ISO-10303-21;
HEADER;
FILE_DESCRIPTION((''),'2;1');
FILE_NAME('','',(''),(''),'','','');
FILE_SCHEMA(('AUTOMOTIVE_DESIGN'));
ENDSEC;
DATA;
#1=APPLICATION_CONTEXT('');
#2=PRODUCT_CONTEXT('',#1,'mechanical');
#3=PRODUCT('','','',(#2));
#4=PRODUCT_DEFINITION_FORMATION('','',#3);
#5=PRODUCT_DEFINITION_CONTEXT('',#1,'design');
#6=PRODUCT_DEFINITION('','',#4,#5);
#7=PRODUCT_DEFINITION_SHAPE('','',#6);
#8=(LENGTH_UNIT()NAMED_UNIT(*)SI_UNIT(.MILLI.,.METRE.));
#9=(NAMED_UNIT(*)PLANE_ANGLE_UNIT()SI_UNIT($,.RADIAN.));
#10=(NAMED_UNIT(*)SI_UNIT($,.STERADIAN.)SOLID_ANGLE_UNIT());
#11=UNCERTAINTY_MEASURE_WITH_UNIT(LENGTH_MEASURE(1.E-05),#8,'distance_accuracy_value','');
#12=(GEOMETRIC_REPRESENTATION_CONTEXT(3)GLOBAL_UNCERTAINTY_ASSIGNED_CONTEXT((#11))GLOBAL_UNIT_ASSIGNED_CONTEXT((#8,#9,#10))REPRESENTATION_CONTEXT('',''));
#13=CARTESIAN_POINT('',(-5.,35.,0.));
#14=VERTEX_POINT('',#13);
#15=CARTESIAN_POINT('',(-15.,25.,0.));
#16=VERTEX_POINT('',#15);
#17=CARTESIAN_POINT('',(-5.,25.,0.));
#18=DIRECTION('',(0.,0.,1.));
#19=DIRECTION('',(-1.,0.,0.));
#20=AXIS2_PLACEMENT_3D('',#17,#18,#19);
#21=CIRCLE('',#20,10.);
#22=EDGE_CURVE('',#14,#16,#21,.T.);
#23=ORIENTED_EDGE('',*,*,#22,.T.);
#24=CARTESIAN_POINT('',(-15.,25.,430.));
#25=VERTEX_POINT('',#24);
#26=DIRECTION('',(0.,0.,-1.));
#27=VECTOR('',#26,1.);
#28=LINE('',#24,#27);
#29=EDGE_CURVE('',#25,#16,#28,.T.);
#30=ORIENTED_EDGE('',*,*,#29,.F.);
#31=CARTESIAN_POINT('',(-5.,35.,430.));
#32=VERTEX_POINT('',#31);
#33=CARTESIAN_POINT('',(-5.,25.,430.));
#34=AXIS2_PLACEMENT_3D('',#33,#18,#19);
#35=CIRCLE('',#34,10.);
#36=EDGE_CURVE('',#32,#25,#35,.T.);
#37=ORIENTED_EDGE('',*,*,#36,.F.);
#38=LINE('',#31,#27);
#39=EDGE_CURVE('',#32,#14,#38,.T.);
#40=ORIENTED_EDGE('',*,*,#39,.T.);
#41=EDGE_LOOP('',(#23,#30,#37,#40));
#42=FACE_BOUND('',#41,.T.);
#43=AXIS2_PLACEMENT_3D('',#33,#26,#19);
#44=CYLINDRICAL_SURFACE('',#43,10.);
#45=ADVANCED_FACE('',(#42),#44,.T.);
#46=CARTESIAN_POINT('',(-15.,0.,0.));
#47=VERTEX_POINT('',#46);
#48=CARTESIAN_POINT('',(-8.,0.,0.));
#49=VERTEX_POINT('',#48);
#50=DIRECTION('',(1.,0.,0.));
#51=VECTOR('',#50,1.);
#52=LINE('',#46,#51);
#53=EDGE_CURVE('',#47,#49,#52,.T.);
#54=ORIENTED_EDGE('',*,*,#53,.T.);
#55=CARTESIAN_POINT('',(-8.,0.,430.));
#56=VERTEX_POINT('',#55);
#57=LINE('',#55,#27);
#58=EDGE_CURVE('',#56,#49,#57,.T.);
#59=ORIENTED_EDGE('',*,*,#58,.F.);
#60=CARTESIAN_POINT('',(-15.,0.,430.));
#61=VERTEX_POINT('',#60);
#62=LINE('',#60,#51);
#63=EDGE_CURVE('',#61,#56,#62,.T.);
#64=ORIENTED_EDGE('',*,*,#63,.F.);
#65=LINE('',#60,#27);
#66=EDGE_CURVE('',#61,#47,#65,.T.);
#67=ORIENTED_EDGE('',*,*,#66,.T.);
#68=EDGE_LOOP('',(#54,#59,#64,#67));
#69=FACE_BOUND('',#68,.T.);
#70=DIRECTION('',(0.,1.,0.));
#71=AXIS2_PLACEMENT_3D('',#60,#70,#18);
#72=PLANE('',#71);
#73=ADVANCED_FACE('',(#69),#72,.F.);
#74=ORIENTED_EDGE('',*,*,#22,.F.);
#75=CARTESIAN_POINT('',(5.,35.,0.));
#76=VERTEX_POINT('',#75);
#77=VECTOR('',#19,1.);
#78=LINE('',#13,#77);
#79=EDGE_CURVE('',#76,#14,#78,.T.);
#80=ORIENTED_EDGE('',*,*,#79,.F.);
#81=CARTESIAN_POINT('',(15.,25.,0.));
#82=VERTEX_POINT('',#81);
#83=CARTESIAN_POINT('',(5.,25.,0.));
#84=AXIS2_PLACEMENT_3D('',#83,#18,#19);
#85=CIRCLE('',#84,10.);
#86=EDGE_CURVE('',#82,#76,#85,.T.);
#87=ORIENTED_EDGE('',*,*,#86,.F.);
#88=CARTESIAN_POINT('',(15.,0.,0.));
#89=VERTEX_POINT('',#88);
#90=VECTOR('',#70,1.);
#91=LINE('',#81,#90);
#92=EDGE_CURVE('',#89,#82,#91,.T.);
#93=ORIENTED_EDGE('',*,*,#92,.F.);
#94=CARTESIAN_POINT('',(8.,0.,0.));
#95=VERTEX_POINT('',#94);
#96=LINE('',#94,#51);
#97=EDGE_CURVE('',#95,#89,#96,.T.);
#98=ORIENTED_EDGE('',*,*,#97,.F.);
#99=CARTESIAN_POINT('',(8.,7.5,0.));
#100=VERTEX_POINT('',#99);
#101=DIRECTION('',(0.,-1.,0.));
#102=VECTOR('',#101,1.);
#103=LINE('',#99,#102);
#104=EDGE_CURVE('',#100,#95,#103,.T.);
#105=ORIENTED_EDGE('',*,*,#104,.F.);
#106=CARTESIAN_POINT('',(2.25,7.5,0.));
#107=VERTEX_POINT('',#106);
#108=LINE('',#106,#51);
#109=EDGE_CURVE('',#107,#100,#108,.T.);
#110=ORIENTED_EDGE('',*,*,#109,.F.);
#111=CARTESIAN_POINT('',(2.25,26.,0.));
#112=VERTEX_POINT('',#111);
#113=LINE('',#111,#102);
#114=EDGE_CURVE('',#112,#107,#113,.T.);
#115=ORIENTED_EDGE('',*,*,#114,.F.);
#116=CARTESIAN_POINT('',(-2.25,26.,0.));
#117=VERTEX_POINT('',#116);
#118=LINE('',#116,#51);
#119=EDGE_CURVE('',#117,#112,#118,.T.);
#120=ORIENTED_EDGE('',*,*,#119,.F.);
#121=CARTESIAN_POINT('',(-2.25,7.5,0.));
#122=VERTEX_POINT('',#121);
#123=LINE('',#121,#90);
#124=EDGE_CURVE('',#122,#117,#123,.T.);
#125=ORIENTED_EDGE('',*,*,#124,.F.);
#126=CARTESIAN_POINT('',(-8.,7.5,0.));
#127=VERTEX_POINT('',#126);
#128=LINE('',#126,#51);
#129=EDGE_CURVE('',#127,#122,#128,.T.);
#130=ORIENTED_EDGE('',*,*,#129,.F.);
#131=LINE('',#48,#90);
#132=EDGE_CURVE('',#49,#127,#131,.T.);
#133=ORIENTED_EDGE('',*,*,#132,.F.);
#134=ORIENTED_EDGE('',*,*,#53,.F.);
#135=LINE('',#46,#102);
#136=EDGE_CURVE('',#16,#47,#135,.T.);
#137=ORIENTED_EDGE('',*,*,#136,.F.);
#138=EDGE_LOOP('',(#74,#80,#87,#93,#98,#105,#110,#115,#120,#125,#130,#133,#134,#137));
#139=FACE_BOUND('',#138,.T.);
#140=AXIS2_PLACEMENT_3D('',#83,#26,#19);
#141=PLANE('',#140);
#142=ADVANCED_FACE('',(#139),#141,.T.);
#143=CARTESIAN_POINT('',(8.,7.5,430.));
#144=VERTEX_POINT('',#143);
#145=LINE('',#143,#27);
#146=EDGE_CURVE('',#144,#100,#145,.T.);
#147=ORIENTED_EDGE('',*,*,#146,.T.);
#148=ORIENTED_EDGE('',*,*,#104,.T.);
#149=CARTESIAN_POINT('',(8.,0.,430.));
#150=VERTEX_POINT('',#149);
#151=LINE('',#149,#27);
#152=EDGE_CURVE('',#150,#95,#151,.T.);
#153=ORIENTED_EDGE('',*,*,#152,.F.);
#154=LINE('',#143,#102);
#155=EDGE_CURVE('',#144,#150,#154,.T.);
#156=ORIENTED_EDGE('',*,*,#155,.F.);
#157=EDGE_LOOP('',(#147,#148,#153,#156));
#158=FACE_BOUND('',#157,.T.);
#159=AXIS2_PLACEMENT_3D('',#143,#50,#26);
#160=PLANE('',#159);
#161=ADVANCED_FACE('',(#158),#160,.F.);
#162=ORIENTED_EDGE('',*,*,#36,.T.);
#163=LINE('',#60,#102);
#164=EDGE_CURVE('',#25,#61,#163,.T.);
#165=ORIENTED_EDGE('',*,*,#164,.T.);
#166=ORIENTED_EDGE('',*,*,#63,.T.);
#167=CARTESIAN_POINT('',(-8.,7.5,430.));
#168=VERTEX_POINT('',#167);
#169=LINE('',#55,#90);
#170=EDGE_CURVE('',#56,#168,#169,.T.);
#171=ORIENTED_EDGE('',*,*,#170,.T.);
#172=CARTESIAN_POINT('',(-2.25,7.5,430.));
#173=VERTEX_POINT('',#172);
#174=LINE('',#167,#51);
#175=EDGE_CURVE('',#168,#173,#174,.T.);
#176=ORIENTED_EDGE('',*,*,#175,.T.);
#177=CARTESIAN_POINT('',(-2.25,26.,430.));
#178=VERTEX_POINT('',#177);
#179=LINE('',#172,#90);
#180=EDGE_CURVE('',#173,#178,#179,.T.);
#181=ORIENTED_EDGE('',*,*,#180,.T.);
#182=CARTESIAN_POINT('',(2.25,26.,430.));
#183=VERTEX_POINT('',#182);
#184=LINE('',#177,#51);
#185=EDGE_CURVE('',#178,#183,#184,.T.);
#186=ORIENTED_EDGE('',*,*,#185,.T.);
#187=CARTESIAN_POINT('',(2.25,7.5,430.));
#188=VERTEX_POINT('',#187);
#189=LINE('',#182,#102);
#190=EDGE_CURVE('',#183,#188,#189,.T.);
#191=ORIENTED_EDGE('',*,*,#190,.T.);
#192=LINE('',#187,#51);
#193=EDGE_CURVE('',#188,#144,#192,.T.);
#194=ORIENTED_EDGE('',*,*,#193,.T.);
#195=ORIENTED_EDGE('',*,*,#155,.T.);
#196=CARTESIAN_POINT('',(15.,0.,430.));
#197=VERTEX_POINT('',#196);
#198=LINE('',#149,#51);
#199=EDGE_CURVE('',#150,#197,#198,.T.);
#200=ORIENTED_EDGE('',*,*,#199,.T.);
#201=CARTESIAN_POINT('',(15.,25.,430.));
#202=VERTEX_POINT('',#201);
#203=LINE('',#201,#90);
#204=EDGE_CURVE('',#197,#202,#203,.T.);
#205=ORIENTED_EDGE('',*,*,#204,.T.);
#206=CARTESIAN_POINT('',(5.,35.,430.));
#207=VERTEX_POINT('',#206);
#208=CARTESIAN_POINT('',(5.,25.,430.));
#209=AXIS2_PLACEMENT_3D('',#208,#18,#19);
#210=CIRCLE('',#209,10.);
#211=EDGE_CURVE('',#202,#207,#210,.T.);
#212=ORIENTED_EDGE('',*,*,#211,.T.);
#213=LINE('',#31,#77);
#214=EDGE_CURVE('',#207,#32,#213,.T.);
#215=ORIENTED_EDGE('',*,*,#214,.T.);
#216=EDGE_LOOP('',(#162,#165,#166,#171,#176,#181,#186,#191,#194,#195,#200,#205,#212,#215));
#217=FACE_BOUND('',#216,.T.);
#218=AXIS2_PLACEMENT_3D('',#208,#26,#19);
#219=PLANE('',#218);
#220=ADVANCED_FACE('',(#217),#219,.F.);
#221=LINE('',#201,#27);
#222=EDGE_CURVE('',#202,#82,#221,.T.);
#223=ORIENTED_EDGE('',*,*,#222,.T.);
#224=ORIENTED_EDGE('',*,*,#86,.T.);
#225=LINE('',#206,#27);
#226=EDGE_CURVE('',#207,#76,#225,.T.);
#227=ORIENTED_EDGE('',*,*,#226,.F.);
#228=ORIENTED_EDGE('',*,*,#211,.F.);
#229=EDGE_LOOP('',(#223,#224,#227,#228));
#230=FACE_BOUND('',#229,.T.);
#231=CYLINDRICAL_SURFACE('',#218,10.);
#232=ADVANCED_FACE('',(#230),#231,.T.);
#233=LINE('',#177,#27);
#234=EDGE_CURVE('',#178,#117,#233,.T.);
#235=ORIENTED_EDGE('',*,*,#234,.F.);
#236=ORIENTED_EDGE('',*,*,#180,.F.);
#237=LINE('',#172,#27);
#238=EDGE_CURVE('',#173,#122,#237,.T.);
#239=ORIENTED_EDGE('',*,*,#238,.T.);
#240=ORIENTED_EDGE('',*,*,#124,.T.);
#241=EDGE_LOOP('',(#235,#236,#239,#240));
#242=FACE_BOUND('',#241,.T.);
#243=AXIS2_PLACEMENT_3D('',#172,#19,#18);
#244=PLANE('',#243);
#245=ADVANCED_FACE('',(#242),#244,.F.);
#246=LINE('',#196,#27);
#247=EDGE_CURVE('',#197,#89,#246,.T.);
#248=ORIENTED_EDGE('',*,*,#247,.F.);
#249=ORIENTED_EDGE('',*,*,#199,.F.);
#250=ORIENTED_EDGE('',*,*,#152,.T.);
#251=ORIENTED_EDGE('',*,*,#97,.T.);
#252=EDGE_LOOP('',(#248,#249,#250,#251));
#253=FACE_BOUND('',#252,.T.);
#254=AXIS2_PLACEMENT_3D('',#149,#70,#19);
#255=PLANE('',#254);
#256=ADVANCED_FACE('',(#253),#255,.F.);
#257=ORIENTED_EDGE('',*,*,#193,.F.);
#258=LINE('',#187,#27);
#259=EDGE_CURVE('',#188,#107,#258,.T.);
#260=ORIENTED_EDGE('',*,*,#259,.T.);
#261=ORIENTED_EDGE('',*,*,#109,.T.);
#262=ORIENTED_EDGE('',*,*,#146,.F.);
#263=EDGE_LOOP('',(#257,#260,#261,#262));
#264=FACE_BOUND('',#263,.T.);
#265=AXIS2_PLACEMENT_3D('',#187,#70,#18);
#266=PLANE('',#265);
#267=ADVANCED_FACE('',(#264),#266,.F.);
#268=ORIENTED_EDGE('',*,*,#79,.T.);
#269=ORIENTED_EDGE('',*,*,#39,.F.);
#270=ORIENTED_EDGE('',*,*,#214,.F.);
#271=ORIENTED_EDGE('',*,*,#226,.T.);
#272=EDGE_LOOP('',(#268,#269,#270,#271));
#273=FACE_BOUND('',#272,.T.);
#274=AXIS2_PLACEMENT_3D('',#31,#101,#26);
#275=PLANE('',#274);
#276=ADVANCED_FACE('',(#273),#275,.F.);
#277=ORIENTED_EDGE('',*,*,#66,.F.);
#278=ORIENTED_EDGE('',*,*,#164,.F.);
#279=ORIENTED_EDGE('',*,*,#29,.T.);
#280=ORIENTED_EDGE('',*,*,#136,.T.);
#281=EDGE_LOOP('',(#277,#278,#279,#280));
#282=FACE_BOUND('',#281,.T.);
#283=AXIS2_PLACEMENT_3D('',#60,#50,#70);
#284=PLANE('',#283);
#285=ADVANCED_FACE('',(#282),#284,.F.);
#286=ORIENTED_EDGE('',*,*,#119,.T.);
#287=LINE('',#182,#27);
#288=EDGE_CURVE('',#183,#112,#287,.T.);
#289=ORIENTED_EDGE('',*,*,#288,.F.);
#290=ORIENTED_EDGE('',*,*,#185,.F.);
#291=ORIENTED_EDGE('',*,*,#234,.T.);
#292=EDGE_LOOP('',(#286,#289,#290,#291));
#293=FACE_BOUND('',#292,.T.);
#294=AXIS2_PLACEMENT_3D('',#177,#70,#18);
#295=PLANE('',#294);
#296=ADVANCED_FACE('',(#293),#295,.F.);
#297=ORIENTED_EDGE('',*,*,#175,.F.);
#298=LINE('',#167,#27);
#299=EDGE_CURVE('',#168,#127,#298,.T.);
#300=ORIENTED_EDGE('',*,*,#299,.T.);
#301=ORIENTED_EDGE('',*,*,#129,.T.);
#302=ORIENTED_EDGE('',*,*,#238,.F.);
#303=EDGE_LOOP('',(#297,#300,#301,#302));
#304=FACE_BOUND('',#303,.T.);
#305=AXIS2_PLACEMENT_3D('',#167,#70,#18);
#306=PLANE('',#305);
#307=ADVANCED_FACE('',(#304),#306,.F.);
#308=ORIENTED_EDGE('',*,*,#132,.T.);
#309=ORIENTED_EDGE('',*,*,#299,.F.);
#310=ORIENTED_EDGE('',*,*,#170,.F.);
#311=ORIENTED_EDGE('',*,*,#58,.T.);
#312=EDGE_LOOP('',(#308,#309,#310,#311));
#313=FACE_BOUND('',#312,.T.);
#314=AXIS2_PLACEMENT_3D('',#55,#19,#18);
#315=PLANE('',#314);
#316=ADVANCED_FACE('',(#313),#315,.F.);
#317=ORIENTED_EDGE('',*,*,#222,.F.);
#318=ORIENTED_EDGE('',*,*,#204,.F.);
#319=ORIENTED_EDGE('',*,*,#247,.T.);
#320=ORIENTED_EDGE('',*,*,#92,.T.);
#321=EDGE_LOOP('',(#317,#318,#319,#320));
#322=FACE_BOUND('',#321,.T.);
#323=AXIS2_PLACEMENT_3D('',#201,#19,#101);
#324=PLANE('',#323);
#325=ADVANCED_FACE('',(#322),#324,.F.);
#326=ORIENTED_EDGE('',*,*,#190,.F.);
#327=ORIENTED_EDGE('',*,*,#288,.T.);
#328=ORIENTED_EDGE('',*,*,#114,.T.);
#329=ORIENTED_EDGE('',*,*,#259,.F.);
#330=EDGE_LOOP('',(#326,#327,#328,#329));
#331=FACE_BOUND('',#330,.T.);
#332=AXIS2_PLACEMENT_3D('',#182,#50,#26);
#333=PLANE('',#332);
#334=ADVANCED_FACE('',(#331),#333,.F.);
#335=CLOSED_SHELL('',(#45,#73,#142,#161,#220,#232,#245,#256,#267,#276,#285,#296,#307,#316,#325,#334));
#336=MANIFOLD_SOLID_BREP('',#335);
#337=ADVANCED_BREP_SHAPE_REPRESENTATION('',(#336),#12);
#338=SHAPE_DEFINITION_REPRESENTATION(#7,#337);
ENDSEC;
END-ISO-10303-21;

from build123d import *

# Parameters (mm, degrees)
BOSS_EXTRU_1_DEPTH = 430


with BuildPart() as part:
    # Esquisse2 → Boss.-Extru.1 (new body)
    with BuildSketch(Plane.XY):
        with BuildLine():
            Line((-15, 0), (-15, 25))
            ThreePointArc((-15, 25), (-12.071067812, 32.071067812), (-5, 35))
            Line((-5, 35), (5, 35))
            ThreePointArc((5, 35), (12.071067812, 32.071067812), (15, 25))
            Line((15, 25), (15, 0))
            Line((15, 0), (8, 0))
            Line((8, 0), (8, 7.5))
            Line((8, 7.5), (2.25, 7.5))
            Line((2.25, 7.5), (2.25, 26))
            Line((2.25, 26), (-2.25, 26))
            Line((-2.25, 26), (-2.25, 7.5))
            Line((-2.25, 7.5), (-8, 7.5))
            Line((-8, 7.5), (-8, 0))
            Line((-8, 0), (-15, 0))
        make_face()
    extrude(amount=BOSS_EXTRU_1_DEPTH)


solid = part.part
